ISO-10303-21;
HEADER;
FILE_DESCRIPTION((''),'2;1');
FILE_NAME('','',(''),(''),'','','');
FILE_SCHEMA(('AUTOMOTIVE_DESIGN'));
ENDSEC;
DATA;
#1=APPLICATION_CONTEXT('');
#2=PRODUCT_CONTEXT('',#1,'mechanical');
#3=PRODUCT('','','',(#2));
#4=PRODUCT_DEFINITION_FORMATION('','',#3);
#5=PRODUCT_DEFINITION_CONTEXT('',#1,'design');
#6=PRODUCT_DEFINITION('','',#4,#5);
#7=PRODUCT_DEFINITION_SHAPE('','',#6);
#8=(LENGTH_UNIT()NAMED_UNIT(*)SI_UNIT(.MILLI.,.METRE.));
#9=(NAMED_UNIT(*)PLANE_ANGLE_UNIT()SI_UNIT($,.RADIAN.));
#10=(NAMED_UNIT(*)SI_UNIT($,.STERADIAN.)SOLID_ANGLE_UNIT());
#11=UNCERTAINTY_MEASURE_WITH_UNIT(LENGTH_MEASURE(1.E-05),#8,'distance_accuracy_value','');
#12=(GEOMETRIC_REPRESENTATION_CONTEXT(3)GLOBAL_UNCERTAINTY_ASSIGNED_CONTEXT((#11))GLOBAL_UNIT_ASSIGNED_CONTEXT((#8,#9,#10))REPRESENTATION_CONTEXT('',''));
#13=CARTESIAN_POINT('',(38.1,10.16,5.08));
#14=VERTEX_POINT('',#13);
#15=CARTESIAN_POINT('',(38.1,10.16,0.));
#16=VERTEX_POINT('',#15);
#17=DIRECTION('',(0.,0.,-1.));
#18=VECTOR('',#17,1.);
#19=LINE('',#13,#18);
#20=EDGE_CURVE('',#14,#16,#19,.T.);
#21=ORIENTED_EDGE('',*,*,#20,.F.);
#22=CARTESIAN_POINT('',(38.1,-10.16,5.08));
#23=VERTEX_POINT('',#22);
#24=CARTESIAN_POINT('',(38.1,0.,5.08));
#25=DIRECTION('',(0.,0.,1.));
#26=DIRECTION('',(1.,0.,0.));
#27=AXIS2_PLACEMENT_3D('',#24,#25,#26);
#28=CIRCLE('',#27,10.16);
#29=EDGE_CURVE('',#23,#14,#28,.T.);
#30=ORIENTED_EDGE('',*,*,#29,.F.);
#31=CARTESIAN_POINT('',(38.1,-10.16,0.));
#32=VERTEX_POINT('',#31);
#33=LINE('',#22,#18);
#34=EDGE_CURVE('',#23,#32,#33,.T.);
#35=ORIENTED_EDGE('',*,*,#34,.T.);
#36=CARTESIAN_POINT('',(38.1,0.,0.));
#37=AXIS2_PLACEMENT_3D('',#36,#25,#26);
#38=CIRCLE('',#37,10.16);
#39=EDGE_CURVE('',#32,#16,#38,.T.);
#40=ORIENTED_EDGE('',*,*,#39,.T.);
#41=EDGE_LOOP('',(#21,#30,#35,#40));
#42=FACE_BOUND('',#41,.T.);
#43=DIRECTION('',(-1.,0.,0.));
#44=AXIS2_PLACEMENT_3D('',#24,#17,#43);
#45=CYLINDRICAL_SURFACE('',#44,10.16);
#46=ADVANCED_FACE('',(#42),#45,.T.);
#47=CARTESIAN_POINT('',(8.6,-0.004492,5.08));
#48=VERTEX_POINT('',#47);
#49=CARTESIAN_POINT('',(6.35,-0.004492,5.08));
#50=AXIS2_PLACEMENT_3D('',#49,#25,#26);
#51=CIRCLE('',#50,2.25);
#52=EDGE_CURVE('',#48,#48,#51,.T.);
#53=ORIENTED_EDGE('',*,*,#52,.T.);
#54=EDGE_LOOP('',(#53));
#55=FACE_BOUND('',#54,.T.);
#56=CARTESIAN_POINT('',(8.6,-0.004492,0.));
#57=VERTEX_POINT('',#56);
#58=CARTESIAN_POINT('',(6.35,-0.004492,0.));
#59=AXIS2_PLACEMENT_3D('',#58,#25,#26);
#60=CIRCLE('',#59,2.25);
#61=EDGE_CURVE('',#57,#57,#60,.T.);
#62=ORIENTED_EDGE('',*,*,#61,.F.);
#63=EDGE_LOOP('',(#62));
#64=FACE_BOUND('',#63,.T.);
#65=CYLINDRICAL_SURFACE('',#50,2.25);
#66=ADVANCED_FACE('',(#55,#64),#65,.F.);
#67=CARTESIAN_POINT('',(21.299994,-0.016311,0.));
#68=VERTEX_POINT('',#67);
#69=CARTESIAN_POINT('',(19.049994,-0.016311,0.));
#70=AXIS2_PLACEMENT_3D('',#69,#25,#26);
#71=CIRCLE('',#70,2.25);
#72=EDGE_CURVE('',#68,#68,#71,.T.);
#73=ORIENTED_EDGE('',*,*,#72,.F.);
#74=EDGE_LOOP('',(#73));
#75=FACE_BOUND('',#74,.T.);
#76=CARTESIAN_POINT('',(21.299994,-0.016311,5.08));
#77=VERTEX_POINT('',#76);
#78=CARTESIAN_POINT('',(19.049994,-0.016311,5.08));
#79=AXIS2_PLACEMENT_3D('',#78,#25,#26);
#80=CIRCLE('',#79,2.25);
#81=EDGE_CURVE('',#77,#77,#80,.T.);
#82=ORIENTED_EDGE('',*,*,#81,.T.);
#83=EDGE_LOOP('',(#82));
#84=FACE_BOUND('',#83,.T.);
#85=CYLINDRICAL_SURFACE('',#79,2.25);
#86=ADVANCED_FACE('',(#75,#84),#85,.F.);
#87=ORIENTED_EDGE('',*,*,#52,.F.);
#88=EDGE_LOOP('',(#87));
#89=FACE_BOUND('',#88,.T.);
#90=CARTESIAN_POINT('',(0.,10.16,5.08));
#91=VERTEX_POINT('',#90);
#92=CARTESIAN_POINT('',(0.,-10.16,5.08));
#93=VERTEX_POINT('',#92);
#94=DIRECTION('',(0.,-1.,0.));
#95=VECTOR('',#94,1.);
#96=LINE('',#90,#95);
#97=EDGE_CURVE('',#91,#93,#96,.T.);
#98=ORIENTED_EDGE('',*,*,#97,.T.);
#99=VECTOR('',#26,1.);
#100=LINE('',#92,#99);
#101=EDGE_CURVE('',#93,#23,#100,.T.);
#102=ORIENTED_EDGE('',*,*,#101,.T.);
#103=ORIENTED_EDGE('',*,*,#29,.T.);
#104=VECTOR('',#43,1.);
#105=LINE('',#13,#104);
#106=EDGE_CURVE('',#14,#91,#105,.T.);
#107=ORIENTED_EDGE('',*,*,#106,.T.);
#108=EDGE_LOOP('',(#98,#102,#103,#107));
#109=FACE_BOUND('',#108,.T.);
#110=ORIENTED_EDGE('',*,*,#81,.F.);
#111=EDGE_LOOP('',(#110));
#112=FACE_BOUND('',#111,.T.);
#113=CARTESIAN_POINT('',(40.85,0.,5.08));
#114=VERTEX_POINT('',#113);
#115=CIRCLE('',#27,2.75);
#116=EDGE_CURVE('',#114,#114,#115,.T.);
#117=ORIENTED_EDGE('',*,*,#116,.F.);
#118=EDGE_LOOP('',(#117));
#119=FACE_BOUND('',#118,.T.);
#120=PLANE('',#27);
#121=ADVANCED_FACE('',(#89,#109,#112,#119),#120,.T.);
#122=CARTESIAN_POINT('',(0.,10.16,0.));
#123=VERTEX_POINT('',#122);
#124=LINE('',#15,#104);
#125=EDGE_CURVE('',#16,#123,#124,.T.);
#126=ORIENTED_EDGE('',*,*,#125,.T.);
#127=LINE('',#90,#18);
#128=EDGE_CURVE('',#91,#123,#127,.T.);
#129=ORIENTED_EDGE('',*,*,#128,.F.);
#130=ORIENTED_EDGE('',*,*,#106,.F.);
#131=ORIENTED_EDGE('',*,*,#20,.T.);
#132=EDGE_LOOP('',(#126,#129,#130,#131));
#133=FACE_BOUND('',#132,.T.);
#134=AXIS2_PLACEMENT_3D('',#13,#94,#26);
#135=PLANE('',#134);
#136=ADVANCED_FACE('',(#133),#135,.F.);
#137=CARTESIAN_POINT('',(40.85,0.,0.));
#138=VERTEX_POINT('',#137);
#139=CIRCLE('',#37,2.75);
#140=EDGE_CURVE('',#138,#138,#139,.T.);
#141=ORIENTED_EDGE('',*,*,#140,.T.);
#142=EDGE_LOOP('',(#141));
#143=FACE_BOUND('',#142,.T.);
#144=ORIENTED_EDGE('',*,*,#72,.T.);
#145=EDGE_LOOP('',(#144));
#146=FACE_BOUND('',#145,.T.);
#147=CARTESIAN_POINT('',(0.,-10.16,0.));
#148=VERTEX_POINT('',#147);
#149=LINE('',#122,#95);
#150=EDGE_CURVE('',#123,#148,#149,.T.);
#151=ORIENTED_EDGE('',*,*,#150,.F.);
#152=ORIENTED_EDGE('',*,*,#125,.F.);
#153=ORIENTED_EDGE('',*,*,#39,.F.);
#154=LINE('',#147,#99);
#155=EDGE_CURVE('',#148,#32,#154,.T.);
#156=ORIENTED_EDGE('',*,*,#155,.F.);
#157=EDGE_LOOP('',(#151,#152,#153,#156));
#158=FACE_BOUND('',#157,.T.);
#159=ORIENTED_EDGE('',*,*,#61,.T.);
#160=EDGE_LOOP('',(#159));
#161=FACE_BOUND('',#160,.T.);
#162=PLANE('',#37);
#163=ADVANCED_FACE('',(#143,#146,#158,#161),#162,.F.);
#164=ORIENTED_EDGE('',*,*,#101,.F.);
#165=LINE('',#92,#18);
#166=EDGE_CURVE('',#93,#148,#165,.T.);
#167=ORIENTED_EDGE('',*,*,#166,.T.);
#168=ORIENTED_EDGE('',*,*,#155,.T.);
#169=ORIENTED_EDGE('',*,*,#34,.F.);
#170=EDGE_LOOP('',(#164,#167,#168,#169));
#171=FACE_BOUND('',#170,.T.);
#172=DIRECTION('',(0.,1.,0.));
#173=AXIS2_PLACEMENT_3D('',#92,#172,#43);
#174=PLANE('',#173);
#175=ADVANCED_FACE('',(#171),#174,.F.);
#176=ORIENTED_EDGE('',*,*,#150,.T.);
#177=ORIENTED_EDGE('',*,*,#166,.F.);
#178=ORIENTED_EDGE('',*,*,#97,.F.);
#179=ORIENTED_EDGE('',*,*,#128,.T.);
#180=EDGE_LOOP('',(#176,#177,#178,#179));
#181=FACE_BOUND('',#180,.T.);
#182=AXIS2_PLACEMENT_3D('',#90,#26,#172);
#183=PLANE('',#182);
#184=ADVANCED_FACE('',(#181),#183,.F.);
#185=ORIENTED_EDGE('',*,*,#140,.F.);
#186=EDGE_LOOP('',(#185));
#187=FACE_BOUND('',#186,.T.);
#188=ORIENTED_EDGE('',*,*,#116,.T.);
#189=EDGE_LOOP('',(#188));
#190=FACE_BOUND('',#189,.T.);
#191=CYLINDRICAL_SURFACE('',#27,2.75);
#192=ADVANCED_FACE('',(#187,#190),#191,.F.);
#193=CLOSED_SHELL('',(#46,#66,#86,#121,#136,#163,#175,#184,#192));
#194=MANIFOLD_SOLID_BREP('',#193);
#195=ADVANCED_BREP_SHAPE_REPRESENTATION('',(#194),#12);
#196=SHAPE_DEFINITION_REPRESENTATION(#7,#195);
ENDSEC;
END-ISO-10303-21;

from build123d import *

# Parameters (mm, degrees)
BOSS_EXTRUDE1_DEPTH  = 5.08
M5_CLEARANCE_HOLE1_D = 5.5
M4_CLEARANCE_HOLE1_D = 4.5


with BuildPart() as part:
    # Sketch1 → Boss-Extrude1 (new body)
    with BuildSketch(Plane.XY):
        with BuildLine():
            Line((0, 10.16), (0, -10.16))
            Line((0, -10.16), (38.1, -10.16))
            ThreePointArc((38.1, -10.16), (48.26, 0), (38.1, 10.16))
            Line((38.1, 10.16), (0, 10.16))
        make_face()
    extrude(amount=BOSS_EXTRUDE1_DEPTH)

    # M5 Clearance Hole1 (through all)
    with Locations(Plane.XY.offset(5.08)):
        with Locations((38.1, 0)):
            Hole(M5_CLEARANCE_HOLE1_D / 2)

    # M4 Clearance Hole1 (through all)
    with Locations(Plane.XY.offset(5.08)):
        with Locations((19.0499945, -0.016311357), (6.35, -0.00449174)):
            Hole(M4_CLEARANCE_HOLE1_D / 2)


solid = part.part
